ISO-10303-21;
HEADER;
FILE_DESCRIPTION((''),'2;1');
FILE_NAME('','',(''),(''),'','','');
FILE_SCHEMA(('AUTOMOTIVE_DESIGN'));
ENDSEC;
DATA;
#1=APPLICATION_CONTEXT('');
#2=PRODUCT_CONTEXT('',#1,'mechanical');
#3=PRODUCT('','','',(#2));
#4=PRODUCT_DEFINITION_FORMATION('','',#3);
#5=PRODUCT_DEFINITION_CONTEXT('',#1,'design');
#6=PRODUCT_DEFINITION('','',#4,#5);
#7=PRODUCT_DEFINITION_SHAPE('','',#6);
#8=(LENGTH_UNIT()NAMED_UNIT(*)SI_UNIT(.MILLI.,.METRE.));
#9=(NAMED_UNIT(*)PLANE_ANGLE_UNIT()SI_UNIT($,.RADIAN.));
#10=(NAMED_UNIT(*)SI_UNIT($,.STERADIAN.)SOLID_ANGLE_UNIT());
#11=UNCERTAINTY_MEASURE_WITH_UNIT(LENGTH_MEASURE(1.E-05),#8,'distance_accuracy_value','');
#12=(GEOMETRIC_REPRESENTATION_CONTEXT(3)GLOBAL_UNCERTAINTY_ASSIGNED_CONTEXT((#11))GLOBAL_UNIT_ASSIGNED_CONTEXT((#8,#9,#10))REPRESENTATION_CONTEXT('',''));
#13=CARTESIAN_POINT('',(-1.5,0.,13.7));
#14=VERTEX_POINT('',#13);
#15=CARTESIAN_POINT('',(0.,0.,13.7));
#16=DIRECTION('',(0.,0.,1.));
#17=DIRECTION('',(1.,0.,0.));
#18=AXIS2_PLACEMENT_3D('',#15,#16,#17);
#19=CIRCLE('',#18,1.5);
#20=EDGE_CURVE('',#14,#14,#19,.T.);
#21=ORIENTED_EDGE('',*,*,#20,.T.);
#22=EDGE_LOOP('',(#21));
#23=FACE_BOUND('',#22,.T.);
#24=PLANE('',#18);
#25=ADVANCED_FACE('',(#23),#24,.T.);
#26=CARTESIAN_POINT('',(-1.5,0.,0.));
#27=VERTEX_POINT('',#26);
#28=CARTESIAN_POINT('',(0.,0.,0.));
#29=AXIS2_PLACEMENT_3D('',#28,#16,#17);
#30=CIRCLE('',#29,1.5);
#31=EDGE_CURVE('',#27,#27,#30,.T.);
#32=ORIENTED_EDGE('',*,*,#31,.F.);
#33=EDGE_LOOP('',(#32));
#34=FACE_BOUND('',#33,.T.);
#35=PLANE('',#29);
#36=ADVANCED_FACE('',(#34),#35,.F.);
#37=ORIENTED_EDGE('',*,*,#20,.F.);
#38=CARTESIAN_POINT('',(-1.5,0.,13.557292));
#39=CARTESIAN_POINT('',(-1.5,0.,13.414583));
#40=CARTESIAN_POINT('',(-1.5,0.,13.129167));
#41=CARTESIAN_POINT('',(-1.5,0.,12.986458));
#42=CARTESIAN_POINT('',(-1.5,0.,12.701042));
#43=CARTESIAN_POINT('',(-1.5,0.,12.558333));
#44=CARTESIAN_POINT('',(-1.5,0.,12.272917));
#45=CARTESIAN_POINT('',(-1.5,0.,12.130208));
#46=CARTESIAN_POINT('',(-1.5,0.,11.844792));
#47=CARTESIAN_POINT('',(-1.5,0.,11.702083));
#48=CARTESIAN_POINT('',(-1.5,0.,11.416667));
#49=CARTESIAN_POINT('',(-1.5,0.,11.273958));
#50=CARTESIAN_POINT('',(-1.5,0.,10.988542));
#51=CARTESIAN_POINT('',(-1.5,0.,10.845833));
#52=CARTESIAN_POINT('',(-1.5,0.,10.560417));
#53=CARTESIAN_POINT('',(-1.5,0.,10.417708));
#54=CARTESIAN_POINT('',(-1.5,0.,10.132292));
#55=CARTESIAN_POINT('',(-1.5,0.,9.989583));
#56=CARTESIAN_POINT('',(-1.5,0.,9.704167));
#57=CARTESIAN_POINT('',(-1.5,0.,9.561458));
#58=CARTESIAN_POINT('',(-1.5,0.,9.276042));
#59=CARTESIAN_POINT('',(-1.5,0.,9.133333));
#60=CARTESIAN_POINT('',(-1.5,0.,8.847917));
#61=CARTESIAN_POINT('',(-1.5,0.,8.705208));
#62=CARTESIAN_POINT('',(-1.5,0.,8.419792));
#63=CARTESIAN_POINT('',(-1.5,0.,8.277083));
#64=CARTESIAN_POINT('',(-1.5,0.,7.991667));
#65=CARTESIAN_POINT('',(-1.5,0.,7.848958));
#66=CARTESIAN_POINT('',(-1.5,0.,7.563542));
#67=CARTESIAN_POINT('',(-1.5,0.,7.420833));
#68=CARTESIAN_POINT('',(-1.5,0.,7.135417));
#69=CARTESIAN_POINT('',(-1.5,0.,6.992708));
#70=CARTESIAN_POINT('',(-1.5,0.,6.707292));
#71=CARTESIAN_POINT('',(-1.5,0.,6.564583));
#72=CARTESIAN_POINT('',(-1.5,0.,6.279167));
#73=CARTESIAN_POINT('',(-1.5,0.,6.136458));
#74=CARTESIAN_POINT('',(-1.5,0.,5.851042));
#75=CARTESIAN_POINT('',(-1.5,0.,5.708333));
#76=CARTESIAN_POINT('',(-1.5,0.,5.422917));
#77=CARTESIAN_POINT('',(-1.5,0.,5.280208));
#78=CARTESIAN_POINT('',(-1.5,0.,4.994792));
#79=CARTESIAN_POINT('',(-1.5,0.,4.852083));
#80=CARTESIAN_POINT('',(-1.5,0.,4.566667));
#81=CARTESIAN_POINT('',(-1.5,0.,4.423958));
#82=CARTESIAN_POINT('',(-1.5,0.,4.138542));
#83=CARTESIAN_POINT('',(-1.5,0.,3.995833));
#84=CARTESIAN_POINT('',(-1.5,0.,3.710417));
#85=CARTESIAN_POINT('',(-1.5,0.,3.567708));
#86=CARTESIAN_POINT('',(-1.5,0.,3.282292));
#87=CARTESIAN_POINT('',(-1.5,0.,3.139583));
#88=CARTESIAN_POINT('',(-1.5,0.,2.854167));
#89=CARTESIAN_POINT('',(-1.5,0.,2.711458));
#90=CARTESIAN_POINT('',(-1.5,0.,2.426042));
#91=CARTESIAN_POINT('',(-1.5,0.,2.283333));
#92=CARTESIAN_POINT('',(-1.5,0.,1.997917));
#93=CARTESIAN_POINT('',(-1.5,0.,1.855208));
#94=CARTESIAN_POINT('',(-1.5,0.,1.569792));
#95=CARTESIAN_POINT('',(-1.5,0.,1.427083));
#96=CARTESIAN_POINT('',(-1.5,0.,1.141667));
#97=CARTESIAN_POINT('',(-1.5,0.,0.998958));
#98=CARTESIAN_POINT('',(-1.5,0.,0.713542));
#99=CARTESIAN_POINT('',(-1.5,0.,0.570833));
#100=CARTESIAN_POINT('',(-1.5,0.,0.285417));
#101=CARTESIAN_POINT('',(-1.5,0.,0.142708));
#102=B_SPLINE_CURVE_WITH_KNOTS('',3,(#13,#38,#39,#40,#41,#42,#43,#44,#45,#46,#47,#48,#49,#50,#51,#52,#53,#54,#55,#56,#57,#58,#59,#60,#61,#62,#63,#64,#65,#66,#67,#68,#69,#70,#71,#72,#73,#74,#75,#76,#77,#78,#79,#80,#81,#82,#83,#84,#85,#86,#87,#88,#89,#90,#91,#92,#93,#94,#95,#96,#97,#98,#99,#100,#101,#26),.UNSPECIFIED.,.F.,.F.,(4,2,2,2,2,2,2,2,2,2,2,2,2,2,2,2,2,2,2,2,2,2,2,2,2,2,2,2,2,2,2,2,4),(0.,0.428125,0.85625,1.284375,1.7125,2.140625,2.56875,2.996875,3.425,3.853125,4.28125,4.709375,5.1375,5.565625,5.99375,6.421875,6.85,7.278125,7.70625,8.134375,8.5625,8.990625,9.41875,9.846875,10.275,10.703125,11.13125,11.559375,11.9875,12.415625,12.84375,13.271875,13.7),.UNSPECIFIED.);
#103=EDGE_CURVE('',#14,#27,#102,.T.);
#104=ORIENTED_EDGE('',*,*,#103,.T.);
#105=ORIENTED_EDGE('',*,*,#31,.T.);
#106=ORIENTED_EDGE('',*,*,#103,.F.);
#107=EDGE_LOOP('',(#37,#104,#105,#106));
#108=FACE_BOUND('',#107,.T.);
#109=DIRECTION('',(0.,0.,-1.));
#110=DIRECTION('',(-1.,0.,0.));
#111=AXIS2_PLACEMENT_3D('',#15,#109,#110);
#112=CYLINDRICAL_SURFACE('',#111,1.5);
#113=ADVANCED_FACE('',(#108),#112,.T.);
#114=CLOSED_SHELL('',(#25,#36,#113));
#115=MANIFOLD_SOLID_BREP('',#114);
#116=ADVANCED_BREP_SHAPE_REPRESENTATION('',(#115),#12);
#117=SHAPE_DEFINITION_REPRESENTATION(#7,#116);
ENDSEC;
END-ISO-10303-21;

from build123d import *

# Parameters (mm, degrees)
SKETCH_1_R      = 1.5
EXTRUDE_1_DEPTH = 13.7


with BuildPart() as part:
    # 스케치1 → 보스-돌출1 (new body)
    with BuildSketch(Plane.XY):
        with Locations(Location((0, 0, 0), (0, 0, 180))):
            Circle(SKETCH_1_R)
    extrude(amount=EXTRUDE_1_DEPTH)


solid = part.part
